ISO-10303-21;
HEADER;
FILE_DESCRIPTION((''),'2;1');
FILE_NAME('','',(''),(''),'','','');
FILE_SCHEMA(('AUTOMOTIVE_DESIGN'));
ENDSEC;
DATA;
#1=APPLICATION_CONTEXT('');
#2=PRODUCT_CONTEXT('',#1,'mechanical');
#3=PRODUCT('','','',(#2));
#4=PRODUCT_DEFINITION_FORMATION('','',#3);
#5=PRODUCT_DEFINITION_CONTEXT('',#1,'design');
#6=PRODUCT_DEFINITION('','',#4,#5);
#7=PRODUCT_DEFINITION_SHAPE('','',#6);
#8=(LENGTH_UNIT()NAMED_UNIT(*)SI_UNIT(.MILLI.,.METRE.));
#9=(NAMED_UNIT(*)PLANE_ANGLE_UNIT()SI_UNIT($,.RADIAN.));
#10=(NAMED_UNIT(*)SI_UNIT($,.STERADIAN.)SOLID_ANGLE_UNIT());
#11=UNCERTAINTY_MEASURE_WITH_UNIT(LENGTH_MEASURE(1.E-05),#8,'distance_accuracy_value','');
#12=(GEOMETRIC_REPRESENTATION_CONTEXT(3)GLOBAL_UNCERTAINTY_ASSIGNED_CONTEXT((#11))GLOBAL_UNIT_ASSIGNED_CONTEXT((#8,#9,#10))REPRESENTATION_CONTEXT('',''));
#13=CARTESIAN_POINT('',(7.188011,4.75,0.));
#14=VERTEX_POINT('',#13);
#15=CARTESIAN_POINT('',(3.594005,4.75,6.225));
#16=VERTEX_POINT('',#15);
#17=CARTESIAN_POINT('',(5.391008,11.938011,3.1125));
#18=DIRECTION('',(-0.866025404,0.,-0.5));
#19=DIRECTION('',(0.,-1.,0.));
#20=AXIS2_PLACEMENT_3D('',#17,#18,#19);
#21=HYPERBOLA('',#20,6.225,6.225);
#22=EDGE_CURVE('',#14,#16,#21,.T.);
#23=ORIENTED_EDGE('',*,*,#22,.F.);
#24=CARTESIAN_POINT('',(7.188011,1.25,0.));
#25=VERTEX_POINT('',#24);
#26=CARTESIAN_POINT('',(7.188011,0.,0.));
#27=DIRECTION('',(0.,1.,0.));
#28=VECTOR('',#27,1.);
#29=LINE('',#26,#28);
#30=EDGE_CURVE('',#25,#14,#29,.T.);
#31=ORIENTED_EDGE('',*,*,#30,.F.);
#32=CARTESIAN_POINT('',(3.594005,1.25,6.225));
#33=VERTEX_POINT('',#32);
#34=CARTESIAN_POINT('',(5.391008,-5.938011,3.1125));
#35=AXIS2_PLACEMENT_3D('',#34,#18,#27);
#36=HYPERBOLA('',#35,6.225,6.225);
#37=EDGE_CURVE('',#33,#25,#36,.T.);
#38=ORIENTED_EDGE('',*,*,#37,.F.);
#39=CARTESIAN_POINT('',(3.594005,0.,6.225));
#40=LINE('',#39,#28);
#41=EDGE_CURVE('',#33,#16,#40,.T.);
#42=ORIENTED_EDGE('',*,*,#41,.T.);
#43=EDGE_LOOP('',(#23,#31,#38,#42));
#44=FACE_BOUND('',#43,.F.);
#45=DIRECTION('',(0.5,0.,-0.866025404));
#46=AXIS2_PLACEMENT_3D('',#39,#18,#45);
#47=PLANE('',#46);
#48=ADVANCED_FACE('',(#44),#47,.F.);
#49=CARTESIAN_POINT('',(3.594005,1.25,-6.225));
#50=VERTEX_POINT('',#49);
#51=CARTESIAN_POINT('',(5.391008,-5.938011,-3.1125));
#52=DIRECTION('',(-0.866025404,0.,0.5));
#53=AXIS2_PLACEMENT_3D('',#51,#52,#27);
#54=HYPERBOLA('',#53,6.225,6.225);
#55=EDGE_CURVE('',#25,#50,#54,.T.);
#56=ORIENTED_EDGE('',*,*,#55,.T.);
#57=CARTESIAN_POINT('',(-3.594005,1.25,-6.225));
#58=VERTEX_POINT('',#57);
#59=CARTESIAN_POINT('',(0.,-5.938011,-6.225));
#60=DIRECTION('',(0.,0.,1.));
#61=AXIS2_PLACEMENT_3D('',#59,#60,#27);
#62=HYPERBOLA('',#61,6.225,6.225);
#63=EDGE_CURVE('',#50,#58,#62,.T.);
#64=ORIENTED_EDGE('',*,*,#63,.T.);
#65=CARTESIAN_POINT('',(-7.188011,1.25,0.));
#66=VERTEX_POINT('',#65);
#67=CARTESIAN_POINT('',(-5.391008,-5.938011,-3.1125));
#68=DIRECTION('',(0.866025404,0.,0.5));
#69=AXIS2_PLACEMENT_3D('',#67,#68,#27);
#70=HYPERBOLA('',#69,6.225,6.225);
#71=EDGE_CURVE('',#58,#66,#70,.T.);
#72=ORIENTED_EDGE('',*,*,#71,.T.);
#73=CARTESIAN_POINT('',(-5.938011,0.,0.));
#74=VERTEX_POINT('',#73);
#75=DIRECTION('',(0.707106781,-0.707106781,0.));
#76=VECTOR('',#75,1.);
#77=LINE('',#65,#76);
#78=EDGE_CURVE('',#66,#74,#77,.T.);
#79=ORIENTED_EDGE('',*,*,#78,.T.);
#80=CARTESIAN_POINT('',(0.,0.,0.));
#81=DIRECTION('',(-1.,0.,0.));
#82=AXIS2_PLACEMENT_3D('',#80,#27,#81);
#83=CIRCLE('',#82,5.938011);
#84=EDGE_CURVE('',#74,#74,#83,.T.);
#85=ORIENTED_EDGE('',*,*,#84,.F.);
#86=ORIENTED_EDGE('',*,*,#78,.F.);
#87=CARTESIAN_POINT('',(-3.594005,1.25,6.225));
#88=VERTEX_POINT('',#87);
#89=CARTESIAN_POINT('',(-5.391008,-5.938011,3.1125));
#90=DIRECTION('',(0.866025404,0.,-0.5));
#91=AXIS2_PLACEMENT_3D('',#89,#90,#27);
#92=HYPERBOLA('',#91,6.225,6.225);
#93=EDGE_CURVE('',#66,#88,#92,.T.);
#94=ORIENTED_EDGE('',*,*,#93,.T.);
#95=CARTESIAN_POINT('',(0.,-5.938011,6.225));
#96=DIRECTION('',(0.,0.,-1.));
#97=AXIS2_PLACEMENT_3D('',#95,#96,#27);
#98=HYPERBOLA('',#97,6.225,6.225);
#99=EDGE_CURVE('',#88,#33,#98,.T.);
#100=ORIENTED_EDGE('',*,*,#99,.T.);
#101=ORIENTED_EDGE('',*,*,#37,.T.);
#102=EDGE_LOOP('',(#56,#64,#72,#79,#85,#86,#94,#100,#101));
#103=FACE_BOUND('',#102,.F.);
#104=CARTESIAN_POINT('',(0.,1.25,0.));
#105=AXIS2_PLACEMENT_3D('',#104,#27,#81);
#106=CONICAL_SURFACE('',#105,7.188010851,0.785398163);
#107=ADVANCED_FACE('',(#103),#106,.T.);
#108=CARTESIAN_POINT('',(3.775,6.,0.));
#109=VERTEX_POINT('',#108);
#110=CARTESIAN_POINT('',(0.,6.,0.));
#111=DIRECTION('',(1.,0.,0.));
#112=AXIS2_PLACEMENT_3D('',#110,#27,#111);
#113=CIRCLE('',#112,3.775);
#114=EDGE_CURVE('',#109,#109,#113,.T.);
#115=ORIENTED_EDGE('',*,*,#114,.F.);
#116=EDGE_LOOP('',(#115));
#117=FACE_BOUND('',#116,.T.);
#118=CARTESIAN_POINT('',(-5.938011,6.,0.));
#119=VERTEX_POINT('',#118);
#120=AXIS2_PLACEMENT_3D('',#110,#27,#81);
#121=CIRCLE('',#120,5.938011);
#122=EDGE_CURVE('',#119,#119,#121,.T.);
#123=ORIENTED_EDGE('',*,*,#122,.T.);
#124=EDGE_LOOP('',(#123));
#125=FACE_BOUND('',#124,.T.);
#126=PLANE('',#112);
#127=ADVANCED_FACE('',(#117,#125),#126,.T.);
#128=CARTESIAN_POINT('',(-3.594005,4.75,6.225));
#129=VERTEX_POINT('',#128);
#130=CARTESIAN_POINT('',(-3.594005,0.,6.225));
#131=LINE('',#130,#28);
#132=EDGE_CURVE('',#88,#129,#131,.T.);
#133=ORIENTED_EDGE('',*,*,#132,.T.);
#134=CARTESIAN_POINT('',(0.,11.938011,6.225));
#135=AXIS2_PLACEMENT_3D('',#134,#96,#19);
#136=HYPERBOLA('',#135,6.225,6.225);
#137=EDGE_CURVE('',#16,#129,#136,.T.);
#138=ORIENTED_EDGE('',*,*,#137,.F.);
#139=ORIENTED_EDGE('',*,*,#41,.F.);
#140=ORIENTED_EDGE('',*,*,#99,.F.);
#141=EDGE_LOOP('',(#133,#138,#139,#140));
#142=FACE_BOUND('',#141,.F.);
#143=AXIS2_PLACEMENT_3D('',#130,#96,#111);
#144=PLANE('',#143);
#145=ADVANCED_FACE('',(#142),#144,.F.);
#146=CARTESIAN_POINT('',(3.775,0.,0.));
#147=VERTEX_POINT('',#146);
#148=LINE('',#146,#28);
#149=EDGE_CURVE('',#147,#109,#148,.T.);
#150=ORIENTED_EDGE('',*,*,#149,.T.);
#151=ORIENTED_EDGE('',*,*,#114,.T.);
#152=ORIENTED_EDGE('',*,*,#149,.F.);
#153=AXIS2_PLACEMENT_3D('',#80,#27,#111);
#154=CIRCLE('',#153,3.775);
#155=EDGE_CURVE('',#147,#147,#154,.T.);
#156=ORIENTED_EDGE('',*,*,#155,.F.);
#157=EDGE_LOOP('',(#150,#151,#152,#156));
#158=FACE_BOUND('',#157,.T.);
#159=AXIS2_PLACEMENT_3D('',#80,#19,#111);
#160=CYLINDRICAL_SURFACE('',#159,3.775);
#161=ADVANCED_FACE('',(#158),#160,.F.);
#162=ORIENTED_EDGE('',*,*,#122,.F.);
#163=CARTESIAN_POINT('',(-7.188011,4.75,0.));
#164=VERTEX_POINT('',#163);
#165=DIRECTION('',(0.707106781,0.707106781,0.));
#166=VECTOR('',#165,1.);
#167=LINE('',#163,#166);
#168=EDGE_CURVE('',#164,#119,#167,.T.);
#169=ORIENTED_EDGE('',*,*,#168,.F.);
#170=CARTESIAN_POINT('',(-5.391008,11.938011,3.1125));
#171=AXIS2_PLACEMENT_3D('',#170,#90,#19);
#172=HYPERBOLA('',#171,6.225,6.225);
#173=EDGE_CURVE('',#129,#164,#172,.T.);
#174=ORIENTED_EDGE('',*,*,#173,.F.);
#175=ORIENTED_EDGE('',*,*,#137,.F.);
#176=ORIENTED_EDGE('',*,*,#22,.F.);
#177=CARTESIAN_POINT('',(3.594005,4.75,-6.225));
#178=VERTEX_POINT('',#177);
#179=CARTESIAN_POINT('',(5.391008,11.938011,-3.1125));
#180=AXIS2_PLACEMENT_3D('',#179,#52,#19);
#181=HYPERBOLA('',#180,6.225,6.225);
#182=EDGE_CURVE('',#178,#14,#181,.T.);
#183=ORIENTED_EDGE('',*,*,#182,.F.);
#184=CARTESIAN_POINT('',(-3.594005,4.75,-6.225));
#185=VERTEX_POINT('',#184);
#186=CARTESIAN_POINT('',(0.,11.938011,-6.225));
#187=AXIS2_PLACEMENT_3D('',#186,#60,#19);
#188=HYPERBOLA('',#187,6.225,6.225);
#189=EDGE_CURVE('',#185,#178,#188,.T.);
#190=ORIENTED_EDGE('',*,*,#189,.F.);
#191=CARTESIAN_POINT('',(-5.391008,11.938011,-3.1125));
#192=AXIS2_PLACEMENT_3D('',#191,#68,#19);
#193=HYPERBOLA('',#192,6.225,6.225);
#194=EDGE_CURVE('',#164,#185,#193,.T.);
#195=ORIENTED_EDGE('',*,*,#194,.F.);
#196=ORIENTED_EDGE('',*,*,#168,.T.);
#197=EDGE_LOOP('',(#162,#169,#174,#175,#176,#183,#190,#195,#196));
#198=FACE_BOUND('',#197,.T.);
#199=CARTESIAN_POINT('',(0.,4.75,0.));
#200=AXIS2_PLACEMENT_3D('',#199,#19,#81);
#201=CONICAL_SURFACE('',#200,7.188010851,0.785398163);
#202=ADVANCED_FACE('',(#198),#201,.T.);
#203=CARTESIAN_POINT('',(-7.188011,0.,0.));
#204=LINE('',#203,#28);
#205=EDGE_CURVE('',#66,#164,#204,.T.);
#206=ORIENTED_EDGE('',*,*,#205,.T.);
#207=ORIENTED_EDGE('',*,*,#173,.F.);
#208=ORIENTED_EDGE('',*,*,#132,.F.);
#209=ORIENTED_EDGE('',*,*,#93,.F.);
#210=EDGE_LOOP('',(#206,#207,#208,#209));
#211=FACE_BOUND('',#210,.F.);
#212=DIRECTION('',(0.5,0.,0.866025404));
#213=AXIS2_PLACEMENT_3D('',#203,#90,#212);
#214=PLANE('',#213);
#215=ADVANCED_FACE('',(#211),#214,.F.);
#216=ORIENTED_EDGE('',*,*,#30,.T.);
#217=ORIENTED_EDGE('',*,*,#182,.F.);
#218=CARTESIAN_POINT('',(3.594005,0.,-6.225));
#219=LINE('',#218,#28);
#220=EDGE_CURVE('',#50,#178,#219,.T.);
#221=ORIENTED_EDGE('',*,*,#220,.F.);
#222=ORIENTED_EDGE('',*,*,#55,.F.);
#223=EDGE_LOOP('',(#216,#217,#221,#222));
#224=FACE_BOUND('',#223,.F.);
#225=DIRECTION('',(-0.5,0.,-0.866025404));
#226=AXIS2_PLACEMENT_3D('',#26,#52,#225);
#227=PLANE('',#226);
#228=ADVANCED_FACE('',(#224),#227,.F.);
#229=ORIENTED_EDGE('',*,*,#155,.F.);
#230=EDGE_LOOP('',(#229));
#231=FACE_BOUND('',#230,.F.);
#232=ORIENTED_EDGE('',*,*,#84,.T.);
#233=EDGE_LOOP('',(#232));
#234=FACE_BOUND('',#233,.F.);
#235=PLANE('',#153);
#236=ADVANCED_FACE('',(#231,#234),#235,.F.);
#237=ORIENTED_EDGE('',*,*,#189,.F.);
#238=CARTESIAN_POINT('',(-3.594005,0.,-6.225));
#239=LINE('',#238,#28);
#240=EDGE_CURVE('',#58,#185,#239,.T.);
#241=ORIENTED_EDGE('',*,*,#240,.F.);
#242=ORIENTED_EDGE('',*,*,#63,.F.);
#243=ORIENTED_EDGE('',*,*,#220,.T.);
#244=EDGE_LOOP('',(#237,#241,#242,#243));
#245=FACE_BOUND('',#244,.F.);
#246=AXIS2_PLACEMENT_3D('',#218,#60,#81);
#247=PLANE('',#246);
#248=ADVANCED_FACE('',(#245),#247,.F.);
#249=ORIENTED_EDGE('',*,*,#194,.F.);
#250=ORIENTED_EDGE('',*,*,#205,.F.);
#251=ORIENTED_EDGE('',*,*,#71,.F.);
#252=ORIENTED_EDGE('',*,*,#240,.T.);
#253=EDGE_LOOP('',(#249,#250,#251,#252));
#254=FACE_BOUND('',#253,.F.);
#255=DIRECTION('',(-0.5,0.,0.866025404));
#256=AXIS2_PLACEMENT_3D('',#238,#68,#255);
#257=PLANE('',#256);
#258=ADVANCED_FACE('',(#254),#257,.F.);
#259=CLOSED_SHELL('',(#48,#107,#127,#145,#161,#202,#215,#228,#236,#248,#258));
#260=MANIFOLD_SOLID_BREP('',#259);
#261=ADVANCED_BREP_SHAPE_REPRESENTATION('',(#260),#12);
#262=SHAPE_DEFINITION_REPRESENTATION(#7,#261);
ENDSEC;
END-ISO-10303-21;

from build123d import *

# Parameters (mm, degrees)
SKETCH1_R           = 3.775
BOSS_EXTRUDE1_DEPTH = 6


with BuildPart() as part:
    # Sketch1 → Boss-Extrude1 (new body)
    with BuildSketch(Plane(origin=(0, 0, 0), x_dir=(1, 0, 0), z_dir=(0, 1, 0))):
        Polygon((-7.188010851, 0), (-3.594005426, -6.225), (3.594005426, -6.225), (7.188010851, 0), (3.594005426, 6.225), (-3.594005426, 6.225), align=None)
        Circle(SKETCH1_R, mode=Mode.SUBTRACT)
    extrude(amount=BOSS_EXTRUDE1_DEPTH)

    # Sketch5 → Cut-Revolve1 (revolve, cut)
    with BuildSketch(Plane.XY):
        Polygon((-5.938010851, 6), (-7.188010851, 6), (-7.188010851, 4.75), align=None)
        Polygon((-5.938010851, 0), (-7.188010851, 0), (-7.188010851, 1.25), align=None)
    revolve(axis=Axis((0, 0, 0), (0, 1, 0)), mode=Mode.SUBTRACT)


solid = part.part
